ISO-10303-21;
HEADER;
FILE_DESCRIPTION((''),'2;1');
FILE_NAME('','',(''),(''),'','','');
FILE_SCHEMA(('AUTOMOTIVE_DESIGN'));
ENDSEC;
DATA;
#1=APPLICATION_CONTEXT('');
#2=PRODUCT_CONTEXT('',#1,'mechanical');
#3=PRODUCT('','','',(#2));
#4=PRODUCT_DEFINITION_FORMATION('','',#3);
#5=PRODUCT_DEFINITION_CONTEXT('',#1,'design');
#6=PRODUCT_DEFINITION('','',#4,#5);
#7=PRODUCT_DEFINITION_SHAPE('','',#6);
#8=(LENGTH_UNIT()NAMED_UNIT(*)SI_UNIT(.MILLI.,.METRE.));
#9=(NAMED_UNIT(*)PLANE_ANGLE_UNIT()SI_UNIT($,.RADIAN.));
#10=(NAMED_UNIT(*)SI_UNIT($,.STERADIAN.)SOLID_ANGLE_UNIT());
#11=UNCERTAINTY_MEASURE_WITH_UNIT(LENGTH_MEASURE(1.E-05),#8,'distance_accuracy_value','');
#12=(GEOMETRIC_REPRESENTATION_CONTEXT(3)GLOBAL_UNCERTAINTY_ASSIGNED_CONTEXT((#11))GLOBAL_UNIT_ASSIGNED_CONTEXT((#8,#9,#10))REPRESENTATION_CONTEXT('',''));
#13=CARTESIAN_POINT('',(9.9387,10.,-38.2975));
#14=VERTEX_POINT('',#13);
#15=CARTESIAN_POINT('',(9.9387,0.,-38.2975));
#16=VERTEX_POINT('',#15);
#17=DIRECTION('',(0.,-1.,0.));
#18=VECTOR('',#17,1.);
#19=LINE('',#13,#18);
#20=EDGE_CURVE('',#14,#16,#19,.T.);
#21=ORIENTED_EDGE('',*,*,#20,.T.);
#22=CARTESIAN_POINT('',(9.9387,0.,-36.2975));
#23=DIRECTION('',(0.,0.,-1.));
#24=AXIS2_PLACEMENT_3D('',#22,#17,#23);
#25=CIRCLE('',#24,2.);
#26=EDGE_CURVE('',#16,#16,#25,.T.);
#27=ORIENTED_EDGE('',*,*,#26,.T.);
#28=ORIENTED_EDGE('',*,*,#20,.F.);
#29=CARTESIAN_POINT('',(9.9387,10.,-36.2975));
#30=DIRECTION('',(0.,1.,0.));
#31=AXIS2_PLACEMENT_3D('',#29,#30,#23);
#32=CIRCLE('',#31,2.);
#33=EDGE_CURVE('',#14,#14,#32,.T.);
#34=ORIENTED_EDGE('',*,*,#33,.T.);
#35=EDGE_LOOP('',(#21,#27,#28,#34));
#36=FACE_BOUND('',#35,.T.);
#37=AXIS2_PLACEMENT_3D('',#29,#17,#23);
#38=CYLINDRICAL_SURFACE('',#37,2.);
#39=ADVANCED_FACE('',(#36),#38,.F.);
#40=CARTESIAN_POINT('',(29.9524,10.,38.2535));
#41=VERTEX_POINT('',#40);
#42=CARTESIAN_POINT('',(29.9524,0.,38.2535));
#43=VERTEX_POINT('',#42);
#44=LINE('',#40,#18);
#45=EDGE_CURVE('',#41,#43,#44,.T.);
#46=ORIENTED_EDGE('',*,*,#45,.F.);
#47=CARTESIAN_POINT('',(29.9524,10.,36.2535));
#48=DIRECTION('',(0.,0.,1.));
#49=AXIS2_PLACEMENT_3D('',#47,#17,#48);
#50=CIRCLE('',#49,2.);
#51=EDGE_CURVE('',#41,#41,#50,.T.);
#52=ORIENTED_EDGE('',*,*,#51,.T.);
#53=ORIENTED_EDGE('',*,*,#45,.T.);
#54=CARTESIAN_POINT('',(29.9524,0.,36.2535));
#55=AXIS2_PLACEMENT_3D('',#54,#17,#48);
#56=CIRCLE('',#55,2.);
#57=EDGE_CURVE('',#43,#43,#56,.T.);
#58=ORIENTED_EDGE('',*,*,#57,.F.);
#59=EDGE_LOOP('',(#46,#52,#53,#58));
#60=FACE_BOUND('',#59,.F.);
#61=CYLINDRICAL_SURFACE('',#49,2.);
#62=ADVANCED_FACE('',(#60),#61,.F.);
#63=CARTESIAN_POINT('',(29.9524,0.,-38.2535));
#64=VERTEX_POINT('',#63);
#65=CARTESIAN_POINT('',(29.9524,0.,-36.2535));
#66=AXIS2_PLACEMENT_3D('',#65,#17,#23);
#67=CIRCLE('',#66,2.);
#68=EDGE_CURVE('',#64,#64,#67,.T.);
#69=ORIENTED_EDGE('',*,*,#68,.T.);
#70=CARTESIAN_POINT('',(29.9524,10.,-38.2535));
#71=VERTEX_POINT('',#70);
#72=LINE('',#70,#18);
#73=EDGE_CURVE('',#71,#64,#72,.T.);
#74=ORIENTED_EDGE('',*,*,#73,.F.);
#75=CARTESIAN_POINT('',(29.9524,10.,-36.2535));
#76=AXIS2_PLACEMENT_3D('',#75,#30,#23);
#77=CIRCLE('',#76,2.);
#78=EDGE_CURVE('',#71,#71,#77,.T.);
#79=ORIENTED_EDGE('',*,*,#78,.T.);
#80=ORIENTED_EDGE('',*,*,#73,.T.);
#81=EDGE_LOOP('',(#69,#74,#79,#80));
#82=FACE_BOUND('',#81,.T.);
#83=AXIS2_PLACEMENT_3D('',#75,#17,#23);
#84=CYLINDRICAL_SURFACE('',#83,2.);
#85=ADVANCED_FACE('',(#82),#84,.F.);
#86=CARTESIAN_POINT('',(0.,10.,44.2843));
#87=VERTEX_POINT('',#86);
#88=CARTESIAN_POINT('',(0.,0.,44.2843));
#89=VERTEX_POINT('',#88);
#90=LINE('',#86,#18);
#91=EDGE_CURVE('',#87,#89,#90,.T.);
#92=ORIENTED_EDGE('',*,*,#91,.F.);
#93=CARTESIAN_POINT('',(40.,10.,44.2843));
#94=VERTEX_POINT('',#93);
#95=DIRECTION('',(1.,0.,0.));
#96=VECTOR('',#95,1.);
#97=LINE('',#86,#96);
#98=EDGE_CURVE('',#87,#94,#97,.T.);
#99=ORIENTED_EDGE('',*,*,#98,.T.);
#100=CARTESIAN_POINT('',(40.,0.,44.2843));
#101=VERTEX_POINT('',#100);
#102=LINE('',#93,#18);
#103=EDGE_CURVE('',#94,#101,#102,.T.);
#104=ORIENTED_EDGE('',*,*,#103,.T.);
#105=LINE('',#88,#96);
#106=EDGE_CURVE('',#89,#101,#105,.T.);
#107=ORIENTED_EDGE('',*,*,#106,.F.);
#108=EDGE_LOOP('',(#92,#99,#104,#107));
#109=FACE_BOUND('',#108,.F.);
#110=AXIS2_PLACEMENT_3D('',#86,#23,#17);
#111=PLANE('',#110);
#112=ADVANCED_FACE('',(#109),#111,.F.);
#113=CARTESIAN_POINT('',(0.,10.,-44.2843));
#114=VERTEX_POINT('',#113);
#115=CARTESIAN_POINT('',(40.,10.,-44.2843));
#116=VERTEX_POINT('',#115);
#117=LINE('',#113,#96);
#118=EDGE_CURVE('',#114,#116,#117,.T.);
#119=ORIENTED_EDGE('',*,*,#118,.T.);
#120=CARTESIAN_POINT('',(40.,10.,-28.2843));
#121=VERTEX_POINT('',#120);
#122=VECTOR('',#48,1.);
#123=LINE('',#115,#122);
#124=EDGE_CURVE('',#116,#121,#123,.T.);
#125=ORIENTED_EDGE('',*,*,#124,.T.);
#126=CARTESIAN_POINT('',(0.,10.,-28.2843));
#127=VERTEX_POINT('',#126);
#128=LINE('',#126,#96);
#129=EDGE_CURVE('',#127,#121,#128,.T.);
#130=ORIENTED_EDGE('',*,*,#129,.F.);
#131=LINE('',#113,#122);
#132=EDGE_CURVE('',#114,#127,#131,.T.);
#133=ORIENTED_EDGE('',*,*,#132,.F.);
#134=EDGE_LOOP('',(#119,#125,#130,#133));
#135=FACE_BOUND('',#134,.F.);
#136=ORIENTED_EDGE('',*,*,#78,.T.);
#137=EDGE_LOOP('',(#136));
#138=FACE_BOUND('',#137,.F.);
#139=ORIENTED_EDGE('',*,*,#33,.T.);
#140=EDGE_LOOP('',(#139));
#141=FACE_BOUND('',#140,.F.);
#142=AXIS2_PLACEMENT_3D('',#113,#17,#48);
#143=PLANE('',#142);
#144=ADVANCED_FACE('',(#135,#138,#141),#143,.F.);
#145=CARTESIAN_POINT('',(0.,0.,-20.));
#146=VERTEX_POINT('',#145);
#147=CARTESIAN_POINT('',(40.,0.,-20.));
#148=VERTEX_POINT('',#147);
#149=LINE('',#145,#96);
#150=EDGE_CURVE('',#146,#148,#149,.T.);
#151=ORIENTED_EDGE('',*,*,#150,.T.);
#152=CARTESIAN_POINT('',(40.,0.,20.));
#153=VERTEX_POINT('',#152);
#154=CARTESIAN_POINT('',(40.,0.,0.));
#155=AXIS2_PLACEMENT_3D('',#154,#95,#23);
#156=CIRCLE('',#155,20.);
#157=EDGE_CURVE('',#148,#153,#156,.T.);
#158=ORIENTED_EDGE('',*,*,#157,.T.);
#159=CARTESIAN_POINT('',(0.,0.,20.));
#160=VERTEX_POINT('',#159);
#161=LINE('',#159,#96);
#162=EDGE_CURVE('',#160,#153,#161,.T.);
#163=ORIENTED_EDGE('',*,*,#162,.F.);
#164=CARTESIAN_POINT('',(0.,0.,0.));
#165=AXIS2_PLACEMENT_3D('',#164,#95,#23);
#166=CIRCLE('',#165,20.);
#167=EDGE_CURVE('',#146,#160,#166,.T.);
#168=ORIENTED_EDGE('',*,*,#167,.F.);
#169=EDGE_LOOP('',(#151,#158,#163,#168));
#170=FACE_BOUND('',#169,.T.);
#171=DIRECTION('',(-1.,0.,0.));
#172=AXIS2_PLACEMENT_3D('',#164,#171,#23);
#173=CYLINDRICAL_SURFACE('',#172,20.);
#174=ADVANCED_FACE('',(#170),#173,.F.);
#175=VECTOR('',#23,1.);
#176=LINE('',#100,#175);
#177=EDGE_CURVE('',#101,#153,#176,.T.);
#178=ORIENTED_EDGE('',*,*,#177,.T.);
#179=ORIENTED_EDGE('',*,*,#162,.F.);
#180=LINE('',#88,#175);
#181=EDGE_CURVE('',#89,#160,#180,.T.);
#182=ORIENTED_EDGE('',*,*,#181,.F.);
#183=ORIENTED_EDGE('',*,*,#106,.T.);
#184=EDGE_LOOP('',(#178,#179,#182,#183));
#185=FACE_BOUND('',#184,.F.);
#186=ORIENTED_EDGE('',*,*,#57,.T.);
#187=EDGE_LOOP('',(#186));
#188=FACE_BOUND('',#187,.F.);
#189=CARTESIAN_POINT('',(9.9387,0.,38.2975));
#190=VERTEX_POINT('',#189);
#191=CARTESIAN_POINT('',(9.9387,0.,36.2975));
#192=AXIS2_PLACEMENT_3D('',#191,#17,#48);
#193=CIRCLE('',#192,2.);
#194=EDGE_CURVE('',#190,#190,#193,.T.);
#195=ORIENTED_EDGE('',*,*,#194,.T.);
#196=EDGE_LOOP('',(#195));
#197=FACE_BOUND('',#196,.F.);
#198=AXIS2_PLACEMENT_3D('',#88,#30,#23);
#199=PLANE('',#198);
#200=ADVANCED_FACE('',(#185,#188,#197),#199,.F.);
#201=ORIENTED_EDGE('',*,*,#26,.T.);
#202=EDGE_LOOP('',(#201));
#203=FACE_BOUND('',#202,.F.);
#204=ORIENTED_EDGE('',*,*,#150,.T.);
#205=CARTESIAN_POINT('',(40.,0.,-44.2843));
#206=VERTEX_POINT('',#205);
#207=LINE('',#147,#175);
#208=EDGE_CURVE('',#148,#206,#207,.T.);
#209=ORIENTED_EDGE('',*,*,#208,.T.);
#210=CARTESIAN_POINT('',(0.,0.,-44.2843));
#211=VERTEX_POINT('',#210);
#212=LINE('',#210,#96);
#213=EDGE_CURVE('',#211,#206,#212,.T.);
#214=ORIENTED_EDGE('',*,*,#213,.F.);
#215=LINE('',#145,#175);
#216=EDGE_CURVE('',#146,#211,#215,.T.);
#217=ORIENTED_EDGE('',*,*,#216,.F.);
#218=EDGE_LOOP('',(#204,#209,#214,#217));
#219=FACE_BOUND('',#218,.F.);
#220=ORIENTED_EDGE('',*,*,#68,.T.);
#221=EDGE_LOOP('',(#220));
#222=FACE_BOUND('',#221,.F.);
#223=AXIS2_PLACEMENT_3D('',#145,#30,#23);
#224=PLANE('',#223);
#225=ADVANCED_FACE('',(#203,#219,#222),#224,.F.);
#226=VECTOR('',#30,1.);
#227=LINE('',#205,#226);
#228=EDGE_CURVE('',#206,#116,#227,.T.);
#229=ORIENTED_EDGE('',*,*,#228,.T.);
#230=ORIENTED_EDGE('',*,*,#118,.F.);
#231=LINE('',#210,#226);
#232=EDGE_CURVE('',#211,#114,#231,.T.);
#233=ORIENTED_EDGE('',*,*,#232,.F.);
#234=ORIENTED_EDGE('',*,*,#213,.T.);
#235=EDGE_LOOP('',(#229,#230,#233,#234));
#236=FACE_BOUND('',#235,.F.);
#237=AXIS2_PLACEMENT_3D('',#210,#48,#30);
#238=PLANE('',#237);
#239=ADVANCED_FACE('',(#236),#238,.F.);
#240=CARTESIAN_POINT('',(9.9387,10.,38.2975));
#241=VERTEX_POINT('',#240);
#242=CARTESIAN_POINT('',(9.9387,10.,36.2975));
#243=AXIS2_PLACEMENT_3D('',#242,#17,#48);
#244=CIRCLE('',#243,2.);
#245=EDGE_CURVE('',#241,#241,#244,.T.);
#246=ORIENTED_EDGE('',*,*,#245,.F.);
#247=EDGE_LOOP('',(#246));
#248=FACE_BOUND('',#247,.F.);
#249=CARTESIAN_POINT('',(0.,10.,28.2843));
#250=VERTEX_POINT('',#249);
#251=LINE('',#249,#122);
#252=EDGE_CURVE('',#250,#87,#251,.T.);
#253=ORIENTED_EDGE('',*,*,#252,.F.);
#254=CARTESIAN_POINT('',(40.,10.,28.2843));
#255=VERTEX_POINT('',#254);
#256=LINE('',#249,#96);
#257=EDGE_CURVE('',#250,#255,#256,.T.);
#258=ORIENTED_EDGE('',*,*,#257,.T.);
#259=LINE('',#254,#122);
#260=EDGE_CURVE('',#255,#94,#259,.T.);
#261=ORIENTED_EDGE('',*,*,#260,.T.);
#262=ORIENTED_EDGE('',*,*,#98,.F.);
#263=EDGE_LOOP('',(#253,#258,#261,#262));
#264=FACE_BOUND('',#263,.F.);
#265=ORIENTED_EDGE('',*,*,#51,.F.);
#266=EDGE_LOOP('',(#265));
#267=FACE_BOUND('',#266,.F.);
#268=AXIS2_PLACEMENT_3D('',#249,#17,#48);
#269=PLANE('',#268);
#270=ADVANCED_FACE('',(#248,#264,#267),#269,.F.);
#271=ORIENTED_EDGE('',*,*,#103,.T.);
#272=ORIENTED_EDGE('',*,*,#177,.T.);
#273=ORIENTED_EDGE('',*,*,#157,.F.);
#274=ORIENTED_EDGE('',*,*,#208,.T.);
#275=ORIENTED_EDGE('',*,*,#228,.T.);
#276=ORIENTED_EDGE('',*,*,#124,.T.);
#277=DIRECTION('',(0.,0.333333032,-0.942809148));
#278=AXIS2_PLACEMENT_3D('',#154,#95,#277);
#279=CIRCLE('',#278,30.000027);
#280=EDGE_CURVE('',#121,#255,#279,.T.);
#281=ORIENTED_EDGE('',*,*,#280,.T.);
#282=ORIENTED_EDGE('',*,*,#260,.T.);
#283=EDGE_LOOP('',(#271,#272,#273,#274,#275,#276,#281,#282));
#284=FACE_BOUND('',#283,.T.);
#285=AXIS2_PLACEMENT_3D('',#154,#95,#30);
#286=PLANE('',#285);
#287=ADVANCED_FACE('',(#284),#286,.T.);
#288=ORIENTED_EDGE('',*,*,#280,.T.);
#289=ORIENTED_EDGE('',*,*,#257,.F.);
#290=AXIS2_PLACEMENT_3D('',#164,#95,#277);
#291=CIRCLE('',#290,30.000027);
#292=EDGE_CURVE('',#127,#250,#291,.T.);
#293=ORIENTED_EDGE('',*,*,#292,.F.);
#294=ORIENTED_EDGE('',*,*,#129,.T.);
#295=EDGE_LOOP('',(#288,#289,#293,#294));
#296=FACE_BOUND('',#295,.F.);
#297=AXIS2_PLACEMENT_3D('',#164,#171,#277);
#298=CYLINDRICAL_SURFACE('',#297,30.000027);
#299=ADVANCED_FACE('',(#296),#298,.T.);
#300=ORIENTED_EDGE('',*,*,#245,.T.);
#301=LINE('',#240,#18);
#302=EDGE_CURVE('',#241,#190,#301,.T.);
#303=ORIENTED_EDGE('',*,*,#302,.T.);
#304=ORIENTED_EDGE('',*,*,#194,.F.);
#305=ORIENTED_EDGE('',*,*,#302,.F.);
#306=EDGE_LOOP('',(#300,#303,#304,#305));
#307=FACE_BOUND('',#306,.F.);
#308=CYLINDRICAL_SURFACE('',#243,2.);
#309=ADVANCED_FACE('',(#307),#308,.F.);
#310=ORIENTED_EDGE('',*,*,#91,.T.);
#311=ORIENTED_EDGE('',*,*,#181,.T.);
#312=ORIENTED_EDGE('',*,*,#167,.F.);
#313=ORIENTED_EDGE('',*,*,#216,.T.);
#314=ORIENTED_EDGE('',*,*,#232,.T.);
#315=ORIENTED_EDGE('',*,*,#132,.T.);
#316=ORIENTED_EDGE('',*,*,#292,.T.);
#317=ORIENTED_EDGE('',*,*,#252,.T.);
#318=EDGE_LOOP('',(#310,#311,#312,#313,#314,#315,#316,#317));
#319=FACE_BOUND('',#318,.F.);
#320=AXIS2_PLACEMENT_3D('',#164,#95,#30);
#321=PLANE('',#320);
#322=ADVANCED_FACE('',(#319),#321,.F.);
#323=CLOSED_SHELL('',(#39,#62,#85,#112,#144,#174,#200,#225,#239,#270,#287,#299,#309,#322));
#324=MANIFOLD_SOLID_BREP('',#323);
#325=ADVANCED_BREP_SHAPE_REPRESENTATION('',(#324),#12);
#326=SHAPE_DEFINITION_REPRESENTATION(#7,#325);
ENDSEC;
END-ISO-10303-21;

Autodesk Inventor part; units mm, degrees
ref_plane "YZ Plane" through (0, 0, 0) normal (1, 0, 0) x (0, 1, 0)
ref_plane "XZ Plane" through (0, 0, 0) normal (0, 1, 0) x (-1, 0, 0)
ref_plane "XY Plane" through (0, 0, 0) normal (0, 0, 1) x (1, 0, 0)
sketch "Sketch1" plane through (0, 0, 0) normal (1, 0, 0) x (0, 1, 0)
  arc A0 (0, -20) -> (0, 20) centre (0, 0) ccw
  arc A1 (10, -28.2843) -> (10, 28.2843) centre (0, 0) ccw
  line L0 (10, 44.2843) -> (0, 44.2843)
  line L1 (0, -44.2843) -> (10, -44.2843)
  line L2 (10, -44.2843) -> (10, -28.2843)
  line L3 (10, 28.2843) -> (10, 44.2843)
  line L4 (0, 44.2843) -> (0, 20)
  line L5 (0, -20) -> (0, -44.2843)
  line L6 (0, 44.2843) -> (0, 20)
  line L7 (0, -20) -> (0, -44.2843)
  dimension "d2" = 30
  dimension "d3" = 20
  dimension "d5" = 10
  dimension "d6" = 10
  dimension "d11" = 16
  dimension "d12" = 16
extrude "Extrusion1" add sketch "Sketch1" along normal blind 40
sketch "Sketch4" plane through (0, 10, 44.2843) normal (0, 1, 0) x (1, 0, 0)
  line L0 (0, 0) -> (0, 24.2843) construction
  line L1 (0, 8) -> (0, -32) construction
  line L2 (0, 8) -> (40.1355, 8) construction
  line L3 (0, 0) -> (40, 0) projected
  line L4 (10, 0) -> (-6, 0)
  line L5 (10, 0) -> (10, 16.0426) construction
  line L6 (30, 0) -> (30, 16) construction
  line L7 (0, 16) -> (40, 16) projected
  point P0 (0, 44.2843)
  dimension "d13" = 40
  dimension "d14" = 16
sketch "Sketch5" plane through (0, 10, 44.2843) normal (0, 1, 0) x (1, 0, 0)
  point P0 (0, 44.2843)
  point P1 (9.9387, 7.9868)
  point P2 (29.9524, 8.0308)
hole "Hole1" at (9.9387, 10, 36.2975) at (29.9524, 10, 36.2535) direction (0, -1, 0) diameter 4 end through all
thread "Thread1" size "M4x0.7" class "6H" standard "ANSI Metric M Profile" length 150
thread "Thread2" size "M4x0.7" class "6H" standard "ANSI Metric M Profile" length 150
mirror "Mirror1" about plane through (0, 0, 0) normal (0, 0, 1) of "Hole1"
thread "Thread3" size "M4x0.7" class "6H" standard "ANSI Metric M Profile" length 150
thread "Thread4" size "M4x0.7" class "6H" standard "ANSI Metric M Profile" length 150
properties part number "U_bracket"
